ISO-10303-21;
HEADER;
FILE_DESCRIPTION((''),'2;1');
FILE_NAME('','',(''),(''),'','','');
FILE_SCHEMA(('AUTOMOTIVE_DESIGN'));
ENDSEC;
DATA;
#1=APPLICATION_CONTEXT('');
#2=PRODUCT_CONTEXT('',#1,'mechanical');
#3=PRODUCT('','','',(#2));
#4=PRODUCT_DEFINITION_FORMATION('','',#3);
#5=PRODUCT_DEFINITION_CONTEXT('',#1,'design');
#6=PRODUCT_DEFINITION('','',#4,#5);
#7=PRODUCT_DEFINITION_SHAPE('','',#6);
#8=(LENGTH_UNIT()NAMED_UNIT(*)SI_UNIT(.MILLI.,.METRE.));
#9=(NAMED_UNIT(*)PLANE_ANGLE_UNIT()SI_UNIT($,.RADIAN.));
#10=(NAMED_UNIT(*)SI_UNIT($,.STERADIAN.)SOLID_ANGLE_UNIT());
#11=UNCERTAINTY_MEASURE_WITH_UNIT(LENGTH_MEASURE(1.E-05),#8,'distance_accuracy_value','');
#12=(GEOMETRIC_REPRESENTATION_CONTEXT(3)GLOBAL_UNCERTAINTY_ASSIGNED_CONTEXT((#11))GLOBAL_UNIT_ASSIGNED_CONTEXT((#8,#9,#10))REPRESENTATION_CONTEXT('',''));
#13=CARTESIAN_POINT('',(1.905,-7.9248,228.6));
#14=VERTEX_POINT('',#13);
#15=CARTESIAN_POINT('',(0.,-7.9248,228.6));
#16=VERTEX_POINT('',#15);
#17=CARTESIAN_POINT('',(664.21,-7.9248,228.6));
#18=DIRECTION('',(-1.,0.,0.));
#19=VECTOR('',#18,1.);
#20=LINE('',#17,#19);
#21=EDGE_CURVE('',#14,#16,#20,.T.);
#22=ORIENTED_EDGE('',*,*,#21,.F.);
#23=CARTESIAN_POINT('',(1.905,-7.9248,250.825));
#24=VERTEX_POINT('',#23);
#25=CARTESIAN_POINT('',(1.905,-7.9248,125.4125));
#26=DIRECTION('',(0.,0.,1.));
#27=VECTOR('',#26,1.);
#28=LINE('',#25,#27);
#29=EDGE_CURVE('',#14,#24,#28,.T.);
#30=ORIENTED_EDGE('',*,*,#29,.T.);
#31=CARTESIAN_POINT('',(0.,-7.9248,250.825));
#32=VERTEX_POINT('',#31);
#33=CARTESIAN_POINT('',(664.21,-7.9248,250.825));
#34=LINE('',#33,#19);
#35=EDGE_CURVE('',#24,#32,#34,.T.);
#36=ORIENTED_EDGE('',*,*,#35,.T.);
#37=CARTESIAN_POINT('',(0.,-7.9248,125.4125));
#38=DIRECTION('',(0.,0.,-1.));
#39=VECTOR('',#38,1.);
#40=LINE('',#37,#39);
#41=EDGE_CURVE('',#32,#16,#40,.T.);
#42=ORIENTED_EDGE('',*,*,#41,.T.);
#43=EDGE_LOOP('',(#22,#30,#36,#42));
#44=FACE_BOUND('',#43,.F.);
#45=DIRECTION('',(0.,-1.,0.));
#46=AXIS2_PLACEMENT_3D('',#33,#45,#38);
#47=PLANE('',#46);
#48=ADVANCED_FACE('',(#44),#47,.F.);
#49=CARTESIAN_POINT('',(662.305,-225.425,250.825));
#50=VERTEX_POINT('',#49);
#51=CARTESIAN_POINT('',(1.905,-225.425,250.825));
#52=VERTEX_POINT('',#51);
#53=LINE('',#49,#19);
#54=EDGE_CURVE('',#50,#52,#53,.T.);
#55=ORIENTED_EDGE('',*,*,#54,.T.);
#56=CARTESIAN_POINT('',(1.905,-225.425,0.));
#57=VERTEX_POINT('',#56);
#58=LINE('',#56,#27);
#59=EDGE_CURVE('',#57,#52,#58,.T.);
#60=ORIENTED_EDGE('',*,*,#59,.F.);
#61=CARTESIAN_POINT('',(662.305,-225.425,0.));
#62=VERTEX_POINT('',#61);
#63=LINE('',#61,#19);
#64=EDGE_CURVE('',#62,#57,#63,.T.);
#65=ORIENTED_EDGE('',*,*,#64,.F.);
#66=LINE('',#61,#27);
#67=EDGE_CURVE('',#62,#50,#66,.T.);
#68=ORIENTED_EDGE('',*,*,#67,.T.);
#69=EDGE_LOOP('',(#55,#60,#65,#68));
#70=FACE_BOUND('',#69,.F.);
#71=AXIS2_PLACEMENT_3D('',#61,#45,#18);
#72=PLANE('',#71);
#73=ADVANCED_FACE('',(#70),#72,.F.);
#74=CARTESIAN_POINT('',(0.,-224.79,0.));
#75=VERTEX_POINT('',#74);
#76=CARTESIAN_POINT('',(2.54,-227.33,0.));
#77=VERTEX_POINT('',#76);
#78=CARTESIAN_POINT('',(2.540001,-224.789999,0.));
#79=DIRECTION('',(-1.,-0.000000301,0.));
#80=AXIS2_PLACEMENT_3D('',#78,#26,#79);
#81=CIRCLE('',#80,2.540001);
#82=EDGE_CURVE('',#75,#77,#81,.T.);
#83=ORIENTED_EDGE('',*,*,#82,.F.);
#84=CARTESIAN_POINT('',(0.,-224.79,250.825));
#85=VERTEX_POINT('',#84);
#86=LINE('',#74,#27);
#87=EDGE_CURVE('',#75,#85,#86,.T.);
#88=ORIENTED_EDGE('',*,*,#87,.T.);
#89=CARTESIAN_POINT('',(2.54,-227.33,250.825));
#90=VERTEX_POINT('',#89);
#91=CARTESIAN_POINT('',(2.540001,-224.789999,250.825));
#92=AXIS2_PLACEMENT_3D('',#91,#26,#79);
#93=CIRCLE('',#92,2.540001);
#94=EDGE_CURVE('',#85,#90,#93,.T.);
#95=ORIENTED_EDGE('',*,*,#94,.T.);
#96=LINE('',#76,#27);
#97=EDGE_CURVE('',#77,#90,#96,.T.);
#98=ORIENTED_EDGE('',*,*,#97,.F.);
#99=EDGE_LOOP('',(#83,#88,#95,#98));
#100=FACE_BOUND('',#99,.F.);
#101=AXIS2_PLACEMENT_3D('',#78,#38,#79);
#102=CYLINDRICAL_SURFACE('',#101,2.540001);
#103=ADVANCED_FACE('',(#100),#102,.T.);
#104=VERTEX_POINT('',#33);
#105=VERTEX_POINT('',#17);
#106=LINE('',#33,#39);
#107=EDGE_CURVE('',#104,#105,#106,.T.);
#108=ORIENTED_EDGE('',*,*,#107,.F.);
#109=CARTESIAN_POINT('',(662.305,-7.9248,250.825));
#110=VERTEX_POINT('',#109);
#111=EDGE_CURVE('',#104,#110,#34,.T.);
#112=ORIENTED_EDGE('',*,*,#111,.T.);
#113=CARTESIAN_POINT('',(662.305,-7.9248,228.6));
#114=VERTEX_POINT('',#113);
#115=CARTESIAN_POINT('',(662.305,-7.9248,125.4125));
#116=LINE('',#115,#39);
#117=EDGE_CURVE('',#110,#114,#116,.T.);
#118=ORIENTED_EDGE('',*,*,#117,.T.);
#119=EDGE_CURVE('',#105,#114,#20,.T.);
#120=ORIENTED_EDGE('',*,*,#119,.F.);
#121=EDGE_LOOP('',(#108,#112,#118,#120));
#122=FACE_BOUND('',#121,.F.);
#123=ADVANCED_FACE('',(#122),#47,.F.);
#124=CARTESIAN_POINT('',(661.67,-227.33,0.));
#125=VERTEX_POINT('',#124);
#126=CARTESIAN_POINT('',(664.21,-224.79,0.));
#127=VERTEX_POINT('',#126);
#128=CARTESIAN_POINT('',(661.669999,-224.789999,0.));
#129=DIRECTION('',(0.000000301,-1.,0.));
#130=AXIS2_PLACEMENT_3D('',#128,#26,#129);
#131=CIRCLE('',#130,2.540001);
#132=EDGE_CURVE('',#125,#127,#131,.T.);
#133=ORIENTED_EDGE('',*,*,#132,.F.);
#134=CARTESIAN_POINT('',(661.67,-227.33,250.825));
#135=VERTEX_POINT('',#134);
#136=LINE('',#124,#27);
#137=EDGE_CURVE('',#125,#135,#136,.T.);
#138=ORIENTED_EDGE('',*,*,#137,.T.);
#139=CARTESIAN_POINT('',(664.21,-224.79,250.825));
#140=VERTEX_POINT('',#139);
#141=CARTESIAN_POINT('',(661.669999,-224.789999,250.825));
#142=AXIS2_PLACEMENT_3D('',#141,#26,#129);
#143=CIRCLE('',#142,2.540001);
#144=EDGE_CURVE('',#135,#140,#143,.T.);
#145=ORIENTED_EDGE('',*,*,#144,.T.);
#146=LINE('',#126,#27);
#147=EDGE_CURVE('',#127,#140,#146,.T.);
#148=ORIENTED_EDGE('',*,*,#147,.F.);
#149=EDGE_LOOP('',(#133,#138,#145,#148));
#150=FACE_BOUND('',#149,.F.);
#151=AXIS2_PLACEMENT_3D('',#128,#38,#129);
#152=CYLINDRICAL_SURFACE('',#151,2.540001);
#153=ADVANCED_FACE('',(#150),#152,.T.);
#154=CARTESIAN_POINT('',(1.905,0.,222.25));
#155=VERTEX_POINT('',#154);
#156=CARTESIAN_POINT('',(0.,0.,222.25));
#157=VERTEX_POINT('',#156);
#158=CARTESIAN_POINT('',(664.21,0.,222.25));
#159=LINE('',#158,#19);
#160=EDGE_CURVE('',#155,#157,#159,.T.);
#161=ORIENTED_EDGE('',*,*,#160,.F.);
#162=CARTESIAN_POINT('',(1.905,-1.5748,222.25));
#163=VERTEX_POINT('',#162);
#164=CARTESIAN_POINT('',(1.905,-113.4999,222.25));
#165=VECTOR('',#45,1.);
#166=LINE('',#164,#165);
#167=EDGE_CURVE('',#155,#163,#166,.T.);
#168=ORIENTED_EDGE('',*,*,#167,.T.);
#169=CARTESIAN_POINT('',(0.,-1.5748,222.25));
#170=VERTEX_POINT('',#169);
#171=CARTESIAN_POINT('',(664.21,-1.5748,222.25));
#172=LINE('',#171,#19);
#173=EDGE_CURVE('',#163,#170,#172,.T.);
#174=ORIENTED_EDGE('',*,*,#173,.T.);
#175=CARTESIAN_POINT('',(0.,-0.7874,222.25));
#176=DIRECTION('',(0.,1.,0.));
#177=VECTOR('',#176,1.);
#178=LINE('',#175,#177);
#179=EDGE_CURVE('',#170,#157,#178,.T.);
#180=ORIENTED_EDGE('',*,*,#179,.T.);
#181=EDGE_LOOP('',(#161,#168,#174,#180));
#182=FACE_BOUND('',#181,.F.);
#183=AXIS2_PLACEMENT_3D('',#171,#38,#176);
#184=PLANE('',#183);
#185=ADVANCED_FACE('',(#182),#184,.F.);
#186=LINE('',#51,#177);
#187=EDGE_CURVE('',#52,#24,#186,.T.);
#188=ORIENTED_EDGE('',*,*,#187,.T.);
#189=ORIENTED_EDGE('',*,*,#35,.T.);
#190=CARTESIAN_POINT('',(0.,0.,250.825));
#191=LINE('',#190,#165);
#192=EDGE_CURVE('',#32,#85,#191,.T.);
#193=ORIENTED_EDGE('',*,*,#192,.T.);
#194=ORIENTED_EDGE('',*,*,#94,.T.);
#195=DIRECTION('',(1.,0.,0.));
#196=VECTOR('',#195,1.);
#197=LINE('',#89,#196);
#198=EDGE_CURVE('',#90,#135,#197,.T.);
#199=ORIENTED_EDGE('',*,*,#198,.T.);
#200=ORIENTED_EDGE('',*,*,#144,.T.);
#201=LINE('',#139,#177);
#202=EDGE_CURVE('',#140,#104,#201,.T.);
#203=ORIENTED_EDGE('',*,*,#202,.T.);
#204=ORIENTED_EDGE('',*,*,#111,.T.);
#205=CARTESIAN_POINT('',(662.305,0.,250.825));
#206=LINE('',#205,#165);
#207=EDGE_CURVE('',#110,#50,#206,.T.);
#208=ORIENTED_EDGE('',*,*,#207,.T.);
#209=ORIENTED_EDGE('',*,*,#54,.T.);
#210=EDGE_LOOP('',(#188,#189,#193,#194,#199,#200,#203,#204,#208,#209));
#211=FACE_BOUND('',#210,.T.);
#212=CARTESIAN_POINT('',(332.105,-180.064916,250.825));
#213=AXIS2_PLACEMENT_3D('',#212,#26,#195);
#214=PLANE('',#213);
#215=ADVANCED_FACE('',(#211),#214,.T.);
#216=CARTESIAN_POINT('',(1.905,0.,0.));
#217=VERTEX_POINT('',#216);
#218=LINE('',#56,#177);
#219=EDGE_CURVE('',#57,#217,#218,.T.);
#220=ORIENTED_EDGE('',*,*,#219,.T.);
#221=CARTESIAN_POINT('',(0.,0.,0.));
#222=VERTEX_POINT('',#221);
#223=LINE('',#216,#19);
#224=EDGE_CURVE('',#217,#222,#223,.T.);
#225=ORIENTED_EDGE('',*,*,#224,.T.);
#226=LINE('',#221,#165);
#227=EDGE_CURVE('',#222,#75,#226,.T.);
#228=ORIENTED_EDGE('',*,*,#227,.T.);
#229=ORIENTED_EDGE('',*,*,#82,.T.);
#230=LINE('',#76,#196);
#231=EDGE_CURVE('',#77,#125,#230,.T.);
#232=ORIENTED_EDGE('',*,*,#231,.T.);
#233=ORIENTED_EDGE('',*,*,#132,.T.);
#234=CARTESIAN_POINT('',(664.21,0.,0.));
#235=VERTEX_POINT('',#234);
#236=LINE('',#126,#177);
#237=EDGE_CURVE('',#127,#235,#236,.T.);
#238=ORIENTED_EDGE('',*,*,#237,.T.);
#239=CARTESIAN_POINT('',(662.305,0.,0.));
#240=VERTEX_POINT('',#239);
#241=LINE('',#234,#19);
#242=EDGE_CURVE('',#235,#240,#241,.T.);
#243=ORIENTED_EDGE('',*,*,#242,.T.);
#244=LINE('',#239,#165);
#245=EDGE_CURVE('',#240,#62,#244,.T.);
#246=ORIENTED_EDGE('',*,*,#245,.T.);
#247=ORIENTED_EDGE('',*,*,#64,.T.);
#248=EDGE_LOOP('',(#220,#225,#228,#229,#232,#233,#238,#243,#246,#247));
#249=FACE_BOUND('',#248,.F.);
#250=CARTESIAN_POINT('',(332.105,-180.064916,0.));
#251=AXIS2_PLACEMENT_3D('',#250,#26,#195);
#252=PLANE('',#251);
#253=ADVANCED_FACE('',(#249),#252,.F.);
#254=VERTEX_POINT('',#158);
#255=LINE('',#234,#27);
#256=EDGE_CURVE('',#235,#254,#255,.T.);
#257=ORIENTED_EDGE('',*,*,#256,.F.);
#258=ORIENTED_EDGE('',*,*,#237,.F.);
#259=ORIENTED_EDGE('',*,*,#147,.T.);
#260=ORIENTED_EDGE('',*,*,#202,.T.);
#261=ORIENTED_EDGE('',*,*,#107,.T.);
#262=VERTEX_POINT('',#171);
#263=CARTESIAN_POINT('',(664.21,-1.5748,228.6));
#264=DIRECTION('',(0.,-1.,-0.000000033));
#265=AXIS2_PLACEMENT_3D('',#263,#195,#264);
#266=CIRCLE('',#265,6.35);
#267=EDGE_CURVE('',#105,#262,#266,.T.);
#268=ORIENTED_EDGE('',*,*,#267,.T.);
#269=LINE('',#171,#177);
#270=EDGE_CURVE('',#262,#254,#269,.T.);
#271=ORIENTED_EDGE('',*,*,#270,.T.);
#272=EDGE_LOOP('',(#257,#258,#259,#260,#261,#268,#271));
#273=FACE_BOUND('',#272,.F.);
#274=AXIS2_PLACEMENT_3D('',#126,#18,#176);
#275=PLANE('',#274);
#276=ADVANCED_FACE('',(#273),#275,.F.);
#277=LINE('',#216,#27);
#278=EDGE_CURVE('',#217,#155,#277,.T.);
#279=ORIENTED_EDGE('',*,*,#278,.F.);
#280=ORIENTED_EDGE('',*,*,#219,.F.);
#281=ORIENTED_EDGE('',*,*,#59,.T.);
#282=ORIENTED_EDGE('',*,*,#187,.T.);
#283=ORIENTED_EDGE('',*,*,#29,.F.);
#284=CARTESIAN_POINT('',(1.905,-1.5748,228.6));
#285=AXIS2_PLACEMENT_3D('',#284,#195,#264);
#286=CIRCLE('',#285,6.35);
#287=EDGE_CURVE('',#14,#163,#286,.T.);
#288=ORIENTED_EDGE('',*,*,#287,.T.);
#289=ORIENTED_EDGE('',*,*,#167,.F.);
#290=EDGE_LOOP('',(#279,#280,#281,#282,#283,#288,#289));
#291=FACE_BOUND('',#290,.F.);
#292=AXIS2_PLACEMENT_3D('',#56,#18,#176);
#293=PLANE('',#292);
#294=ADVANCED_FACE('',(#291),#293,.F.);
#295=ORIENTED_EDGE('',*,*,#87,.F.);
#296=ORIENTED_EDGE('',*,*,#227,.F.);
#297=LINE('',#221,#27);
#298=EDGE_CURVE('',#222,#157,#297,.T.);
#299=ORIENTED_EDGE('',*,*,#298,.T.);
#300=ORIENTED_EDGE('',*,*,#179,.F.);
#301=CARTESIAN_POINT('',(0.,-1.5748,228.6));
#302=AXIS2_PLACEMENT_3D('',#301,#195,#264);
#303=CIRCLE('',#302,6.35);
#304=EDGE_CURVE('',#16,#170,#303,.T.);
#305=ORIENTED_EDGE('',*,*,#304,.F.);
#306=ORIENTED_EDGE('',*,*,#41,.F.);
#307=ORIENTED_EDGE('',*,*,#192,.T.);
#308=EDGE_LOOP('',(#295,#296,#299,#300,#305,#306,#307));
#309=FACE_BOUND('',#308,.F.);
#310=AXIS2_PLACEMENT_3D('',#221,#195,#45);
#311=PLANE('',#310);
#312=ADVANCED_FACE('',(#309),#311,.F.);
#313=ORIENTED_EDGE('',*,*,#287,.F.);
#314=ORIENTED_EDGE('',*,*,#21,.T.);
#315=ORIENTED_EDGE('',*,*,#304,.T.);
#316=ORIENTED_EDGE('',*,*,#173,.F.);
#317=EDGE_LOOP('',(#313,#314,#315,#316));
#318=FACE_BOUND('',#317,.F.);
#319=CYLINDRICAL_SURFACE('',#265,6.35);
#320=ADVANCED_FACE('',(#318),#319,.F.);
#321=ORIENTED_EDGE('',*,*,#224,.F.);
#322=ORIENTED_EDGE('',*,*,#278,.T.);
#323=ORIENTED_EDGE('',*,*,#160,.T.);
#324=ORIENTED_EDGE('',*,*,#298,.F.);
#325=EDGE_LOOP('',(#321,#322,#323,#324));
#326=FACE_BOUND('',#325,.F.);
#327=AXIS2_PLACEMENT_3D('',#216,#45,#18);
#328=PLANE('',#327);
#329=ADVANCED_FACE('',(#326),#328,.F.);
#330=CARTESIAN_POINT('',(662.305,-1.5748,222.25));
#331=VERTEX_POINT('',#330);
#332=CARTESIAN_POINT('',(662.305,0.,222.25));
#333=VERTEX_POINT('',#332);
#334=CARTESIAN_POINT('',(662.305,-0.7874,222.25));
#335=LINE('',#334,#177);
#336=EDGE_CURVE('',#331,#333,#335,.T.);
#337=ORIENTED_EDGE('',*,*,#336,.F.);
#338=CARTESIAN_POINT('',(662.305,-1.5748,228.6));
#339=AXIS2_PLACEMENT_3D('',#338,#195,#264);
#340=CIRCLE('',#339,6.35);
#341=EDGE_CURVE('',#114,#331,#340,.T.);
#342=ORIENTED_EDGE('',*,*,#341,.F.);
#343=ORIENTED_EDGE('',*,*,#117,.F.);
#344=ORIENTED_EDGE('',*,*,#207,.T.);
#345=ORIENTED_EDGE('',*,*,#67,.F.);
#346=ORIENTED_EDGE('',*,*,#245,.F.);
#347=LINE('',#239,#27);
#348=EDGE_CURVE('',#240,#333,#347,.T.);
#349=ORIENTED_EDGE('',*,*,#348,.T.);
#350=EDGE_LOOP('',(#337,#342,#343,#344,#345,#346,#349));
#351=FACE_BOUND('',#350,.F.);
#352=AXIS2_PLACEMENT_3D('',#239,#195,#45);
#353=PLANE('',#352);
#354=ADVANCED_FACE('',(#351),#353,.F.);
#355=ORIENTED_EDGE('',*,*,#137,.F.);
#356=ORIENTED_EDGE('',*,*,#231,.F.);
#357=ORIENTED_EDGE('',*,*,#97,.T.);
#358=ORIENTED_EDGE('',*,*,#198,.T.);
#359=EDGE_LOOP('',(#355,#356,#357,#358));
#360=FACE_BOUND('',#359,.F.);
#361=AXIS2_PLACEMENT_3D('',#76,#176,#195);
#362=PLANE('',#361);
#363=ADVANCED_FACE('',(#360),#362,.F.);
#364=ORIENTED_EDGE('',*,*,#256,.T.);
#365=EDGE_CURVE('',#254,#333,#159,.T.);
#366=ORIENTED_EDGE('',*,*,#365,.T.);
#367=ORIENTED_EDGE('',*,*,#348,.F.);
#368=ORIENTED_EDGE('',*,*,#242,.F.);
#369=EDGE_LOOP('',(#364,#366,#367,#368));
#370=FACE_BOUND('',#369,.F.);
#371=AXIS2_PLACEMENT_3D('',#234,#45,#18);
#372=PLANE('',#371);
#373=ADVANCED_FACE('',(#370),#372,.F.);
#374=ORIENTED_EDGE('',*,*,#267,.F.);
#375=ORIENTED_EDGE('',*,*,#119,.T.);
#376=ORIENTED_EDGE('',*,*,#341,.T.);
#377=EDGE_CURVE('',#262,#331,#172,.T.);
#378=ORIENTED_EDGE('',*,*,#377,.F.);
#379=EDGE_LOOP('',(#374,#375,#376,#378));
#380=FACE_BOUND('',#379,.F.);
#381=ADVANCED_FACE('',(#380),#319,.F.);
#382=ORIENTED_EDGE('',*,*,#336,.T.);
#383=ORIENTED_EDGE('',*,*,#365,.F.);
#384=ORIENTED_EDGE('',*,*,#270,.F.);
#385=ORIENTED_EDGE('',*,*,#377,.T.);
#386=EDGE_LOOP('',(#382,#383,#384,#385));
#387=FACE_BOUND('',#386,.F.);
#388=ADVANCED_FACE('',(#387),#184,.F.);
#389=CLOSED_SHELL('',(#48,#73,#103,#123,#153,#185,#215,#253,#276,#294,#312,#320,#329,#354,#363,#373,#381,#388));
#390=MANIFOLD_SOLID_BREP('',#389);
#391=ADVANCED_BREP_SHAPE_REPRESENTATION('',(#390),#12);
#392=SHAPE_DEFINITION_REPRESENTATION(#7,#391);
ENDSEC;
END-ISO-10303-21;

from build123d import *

# Parameters (mm, degrees)
F1_DEPTH = 250.825
F3_DEPTH = 664.211


with BuildPart() as f1:
    # F0 (on Top) → F1 (new body)
    with BuildSketch(Plane.XY):
        with BuildLine():
            ThreePointArc((0, -224.79), (0.743949, -226.586051), (2.54, -227.33))
            Line((2.54, -227.33), (661.67, -227.33))
            ThreePointArc((661.67, -227.33), (663.466051, -226.586051), (664.21, -224.79))
            Line((664.21, -224.79), (664.21, 0))
            Line((664.21, 0), (662.305, 0))
            Line((662.305, 0), (662.305, -225.425))
            Line((662.305, -225.425), (1.905, -225.425))
            Line((1.905, -225.425), (1.905, 0))
            Line((1.905, 0), (0, 0))
            Line((0, 0), (0, -224.79))
        make_face()
    extrude(amount=F1_DEPTH)

    # F2 (on face) → F3 (cut, through all)
    with BuildSketch(Plane.YZ.offset(664.21)):
        with BuildLine():
            ThreePointArc((-7.9248, 228.6), (-6.064928, 224.109872), (-1.5748, 222.25))
            Line((-1.5748, 222.25), (0, 222.25))
            Line((0, 222.25), (0, 250.825))
            Line((0, 250.825), (-7.9248, 250.825))
            Line((-7.9248, 250.825), (-7.9248, 228.6))
        make_face()
    extrude(amount=-F3_DEPTH, mode=Mode.SUBTRACT)


solid = f1.part
